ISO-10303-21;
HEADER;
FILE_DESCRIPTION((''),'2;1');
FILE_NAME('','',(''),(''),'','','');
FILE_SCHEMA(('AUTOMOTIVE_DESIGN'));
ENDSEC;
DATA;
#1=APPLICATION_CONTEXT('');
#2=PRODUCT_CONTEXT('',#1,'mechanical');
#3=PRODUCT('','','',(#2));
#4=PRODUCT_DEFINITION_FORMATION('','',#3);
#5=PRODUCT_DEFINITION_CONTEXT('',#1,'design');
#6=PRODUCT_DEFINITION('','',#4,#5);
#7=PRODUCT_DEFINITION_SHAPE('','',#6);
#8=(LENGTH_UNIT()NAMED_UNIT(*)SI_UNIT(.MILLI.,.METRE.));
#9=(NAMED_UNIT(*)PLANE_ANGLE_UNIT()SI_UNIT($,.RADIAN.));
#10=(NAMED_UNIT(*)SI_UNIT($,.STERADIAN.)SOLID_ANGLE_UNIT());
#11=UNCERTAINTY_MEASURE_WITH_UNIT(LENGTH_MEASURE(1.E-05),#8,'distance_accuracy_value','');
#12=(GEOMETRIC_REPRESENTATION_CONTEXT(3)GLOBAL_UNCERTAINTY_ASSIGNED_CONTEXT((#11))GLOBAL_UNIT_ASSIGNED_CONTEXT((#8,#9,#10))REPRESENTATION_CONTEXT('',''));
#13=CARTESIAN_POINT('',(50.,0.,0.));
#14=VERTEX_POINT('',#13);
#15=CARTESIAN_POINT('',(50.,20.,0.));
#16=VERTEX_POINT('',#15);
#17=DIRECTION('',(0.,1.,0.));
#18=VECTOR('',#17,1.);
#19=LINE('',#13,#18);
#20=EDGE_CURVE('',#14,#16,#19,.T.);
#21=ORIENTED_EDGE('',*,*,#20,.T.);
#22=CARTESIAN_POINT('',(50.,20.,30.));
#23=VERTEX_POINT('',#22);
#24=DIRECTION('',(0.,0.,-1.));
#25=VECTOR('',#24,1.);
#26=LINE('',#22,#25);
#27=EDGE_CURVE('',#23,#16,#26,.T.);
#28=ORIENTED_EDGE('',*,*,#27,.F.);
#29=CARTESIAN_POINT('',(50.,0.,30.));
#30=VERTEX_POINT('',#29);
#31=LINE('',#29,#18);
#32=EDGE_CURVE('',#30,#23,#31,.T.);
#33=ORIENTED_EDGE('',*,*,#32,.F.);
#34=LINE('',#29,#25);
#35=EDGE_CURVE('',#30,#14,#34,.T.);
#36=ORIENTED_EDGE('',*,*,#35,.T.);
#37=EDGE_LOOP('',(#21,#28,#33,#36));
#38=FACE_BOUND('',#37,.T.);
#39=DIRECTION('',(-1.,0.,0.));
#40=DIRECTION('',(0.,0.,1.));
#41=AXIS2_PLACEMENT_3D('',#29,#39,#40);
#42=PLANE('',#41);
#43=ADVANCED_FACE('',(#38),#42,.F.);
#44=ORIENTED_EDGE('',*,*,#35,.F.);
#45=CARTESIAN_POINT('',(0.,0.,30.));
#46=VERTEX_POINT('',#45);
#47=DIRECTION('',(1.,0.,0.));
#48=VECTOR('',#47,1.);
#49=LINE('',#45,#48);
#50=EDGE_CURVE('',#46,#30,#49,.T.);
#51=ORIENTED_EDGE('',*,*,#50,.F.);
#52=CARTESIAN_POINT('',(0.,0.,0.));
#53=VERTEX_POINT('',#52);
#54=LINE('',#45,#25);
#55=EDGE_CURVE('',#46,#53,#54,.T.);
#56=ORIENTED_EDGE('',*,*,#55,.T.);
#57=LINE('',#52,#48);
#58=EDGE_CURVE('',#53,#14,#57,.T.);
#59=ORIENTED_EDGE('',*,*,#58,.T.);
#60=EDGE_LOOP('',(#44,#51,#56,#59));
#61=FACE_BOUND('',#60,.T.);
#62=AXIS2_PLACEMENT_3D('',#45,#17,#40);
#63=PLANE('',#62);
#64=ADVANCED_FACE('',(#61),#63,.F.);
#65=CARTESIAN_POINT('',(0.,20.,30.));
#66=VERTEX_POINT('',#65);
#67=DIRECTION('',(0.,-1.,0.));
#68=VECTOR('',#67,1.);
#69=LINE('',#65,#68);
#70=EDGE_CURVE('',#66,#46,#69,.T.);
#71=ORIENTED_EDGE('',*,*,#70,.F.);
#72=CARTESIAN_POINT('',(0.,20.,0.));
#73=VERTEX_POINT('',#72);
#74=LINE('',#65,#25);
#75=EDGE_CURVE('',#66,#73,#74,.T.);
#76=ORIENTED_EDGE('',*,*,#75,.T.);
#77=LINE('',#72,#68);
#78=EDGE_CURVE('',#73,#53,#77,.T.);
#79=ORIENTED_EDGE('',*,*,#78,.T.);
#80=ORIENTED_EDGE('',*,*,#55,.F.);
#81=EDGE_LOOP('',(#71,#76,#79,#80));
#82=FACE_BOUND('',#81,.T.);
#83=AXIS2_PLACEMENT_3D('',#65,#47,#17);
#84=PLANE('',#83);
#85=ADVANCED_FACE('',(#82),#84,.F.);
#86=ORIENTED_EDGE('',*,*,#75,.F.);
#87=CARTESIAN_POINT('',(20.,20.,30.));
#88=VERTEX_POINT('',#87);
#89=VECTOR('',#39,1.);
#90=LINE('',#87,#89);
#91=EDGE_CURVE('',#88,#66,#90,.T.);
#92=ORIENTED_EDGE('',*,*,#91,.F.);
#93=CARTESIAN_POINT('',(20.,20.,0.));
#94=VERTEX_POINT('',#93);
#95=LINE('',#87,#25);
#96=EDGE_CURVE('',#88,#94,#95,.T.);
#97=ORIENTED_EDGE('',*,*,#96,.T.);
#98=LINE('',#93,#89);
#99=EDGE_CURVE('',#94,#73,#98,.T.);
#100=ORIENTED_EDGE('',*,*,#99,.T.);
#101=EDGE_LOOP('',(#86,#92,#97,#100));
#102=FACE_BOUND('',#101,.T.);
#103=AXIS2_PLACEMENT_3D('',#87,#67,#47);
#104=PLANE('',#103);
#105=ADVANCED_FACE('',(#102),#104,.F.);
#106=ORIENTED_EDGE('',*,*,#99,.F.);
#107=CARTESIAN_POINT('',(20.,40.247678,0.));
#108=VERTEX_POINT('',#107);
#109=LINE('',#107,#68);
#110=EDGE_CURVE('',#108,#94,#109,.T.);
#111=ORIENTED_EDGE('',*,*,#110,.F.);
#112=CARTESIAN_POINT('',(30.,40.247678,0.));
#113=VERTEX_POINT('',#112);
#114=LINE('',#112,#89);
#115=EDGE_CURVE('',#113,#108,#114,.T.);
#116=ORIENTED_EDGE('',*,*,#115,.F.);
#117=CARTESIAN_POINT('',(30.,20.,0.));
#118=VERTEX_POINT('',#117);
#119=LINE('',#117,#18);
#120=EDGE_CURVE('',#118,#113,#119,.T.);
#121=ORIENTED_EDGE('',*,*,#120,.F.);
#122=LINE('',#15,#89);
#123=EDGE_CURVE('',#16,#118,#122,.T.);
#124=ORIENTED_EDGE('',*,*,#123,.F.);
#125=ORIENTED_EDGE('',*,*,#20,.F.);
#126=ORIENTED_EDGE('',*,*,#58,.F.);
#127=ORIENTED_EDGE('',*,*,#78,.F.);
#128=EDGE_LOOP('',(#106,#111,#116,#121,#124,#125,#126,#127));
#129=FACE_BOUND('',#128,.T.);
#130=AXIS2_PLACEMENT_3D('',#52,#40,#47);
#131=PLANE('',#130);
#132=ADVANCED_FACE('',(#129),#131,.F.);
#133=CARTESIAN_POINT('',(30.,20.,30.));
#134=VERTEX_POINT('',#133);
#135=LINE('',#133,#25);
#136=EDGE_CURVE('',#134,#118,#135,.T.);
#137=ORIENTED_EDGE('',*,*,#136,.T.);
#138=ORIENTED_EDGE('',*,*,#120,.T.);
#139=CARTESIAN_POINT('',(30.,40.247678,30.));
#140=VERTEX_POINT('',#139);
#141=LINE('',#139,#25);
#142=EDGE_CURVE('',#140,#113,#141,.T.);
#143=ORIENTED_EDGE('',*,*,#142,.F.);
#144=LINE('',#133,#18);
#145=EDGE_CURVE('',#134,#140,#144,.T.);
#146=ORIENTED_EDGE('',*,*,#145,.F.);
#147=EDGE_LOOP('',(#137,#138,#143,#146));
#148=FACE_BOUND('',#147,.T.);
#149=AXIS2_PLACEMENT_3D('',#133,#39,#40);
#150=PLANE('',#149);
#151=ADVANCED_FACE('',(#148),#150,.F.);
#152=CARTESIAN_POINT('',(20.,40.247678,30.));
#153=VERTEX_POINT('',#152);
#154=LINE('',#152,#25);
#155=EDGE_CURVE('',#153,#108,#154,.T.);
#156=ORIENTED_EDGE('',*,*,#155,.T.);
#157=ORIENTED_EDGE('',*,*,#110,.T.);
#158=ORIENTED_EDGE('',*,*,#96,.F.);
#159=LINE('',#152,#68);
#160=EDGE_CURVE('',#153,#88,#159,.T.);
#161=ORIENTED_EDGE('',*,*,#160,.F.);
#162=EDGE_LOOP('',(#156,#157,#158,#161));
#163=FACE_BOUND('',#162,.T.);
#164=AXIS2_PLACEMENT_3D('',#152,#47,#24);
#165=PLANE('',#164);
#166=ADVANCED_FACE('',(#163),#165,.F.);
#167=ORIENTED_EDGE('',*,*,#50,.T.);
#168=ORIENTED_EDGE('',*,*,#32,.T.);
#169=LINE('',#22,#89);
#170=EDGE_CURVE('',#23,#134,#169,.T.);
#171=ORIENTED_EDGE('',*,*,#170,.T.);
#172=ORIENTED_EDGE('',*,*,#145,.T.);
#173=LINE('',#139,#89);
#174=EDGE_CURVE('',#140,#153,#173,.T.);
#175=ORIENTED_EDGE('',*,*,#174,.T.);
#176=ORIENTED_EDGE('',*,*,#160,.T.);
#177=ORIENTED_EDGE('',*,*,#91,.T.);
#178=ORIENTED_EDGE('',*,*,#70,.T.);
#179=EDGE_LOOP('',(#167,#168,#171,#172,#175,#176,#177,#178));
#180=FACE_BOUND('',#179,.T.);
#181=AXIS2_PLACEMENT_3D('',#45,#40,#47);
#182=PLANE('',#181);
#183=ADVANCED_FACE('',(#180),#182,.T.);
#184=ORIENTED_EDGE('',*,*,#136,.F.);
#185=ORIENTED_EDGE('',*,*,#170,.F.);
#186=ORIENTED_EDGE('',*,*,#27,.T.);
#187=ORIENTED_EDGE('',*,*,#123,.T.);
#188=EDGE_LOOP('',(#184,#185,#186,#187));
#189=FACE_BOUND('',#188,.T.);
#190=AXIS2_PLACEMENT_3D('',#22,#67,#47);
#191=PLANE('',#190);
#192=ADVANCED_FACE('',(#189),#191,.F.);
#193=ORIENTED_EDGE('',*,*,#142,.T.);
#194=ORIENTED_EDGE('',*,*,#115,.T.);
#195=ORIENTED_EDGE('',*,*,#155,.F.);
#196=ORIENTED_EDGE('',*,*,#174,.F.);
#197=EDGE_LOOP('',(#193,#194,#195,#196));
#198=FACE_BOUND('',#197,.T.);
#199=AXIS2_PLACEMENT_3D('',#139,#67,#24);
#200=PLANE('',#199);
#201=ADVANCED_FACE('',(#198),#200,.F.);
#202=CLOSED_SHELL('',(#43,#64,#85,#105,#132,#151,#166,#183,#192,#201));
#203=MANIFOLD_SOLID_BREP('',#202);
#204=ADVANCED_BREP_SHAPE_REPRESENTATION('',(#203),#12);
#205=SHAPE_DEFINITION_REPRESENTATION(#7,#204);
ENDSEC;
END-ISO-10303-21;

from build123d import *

# Parameters (mm, degrees)
RESSALTO_EXTRUS_O3_DEPTH = 30


with BuildPart() as part:
    # Esboço3 → Ressalto-extrusão3 (new body)
    with BuildSketch(Plane.XY):
        Polygon((0, 0), (50, 0), (50, 20), (30, 20), (30, 40.247677612), (20, 40.247677612), (20, 20), (0, 20), align=None)
    extrude(amount=RESSALTO_EXTRUS_O3_DEPTH)


solid = part.part
